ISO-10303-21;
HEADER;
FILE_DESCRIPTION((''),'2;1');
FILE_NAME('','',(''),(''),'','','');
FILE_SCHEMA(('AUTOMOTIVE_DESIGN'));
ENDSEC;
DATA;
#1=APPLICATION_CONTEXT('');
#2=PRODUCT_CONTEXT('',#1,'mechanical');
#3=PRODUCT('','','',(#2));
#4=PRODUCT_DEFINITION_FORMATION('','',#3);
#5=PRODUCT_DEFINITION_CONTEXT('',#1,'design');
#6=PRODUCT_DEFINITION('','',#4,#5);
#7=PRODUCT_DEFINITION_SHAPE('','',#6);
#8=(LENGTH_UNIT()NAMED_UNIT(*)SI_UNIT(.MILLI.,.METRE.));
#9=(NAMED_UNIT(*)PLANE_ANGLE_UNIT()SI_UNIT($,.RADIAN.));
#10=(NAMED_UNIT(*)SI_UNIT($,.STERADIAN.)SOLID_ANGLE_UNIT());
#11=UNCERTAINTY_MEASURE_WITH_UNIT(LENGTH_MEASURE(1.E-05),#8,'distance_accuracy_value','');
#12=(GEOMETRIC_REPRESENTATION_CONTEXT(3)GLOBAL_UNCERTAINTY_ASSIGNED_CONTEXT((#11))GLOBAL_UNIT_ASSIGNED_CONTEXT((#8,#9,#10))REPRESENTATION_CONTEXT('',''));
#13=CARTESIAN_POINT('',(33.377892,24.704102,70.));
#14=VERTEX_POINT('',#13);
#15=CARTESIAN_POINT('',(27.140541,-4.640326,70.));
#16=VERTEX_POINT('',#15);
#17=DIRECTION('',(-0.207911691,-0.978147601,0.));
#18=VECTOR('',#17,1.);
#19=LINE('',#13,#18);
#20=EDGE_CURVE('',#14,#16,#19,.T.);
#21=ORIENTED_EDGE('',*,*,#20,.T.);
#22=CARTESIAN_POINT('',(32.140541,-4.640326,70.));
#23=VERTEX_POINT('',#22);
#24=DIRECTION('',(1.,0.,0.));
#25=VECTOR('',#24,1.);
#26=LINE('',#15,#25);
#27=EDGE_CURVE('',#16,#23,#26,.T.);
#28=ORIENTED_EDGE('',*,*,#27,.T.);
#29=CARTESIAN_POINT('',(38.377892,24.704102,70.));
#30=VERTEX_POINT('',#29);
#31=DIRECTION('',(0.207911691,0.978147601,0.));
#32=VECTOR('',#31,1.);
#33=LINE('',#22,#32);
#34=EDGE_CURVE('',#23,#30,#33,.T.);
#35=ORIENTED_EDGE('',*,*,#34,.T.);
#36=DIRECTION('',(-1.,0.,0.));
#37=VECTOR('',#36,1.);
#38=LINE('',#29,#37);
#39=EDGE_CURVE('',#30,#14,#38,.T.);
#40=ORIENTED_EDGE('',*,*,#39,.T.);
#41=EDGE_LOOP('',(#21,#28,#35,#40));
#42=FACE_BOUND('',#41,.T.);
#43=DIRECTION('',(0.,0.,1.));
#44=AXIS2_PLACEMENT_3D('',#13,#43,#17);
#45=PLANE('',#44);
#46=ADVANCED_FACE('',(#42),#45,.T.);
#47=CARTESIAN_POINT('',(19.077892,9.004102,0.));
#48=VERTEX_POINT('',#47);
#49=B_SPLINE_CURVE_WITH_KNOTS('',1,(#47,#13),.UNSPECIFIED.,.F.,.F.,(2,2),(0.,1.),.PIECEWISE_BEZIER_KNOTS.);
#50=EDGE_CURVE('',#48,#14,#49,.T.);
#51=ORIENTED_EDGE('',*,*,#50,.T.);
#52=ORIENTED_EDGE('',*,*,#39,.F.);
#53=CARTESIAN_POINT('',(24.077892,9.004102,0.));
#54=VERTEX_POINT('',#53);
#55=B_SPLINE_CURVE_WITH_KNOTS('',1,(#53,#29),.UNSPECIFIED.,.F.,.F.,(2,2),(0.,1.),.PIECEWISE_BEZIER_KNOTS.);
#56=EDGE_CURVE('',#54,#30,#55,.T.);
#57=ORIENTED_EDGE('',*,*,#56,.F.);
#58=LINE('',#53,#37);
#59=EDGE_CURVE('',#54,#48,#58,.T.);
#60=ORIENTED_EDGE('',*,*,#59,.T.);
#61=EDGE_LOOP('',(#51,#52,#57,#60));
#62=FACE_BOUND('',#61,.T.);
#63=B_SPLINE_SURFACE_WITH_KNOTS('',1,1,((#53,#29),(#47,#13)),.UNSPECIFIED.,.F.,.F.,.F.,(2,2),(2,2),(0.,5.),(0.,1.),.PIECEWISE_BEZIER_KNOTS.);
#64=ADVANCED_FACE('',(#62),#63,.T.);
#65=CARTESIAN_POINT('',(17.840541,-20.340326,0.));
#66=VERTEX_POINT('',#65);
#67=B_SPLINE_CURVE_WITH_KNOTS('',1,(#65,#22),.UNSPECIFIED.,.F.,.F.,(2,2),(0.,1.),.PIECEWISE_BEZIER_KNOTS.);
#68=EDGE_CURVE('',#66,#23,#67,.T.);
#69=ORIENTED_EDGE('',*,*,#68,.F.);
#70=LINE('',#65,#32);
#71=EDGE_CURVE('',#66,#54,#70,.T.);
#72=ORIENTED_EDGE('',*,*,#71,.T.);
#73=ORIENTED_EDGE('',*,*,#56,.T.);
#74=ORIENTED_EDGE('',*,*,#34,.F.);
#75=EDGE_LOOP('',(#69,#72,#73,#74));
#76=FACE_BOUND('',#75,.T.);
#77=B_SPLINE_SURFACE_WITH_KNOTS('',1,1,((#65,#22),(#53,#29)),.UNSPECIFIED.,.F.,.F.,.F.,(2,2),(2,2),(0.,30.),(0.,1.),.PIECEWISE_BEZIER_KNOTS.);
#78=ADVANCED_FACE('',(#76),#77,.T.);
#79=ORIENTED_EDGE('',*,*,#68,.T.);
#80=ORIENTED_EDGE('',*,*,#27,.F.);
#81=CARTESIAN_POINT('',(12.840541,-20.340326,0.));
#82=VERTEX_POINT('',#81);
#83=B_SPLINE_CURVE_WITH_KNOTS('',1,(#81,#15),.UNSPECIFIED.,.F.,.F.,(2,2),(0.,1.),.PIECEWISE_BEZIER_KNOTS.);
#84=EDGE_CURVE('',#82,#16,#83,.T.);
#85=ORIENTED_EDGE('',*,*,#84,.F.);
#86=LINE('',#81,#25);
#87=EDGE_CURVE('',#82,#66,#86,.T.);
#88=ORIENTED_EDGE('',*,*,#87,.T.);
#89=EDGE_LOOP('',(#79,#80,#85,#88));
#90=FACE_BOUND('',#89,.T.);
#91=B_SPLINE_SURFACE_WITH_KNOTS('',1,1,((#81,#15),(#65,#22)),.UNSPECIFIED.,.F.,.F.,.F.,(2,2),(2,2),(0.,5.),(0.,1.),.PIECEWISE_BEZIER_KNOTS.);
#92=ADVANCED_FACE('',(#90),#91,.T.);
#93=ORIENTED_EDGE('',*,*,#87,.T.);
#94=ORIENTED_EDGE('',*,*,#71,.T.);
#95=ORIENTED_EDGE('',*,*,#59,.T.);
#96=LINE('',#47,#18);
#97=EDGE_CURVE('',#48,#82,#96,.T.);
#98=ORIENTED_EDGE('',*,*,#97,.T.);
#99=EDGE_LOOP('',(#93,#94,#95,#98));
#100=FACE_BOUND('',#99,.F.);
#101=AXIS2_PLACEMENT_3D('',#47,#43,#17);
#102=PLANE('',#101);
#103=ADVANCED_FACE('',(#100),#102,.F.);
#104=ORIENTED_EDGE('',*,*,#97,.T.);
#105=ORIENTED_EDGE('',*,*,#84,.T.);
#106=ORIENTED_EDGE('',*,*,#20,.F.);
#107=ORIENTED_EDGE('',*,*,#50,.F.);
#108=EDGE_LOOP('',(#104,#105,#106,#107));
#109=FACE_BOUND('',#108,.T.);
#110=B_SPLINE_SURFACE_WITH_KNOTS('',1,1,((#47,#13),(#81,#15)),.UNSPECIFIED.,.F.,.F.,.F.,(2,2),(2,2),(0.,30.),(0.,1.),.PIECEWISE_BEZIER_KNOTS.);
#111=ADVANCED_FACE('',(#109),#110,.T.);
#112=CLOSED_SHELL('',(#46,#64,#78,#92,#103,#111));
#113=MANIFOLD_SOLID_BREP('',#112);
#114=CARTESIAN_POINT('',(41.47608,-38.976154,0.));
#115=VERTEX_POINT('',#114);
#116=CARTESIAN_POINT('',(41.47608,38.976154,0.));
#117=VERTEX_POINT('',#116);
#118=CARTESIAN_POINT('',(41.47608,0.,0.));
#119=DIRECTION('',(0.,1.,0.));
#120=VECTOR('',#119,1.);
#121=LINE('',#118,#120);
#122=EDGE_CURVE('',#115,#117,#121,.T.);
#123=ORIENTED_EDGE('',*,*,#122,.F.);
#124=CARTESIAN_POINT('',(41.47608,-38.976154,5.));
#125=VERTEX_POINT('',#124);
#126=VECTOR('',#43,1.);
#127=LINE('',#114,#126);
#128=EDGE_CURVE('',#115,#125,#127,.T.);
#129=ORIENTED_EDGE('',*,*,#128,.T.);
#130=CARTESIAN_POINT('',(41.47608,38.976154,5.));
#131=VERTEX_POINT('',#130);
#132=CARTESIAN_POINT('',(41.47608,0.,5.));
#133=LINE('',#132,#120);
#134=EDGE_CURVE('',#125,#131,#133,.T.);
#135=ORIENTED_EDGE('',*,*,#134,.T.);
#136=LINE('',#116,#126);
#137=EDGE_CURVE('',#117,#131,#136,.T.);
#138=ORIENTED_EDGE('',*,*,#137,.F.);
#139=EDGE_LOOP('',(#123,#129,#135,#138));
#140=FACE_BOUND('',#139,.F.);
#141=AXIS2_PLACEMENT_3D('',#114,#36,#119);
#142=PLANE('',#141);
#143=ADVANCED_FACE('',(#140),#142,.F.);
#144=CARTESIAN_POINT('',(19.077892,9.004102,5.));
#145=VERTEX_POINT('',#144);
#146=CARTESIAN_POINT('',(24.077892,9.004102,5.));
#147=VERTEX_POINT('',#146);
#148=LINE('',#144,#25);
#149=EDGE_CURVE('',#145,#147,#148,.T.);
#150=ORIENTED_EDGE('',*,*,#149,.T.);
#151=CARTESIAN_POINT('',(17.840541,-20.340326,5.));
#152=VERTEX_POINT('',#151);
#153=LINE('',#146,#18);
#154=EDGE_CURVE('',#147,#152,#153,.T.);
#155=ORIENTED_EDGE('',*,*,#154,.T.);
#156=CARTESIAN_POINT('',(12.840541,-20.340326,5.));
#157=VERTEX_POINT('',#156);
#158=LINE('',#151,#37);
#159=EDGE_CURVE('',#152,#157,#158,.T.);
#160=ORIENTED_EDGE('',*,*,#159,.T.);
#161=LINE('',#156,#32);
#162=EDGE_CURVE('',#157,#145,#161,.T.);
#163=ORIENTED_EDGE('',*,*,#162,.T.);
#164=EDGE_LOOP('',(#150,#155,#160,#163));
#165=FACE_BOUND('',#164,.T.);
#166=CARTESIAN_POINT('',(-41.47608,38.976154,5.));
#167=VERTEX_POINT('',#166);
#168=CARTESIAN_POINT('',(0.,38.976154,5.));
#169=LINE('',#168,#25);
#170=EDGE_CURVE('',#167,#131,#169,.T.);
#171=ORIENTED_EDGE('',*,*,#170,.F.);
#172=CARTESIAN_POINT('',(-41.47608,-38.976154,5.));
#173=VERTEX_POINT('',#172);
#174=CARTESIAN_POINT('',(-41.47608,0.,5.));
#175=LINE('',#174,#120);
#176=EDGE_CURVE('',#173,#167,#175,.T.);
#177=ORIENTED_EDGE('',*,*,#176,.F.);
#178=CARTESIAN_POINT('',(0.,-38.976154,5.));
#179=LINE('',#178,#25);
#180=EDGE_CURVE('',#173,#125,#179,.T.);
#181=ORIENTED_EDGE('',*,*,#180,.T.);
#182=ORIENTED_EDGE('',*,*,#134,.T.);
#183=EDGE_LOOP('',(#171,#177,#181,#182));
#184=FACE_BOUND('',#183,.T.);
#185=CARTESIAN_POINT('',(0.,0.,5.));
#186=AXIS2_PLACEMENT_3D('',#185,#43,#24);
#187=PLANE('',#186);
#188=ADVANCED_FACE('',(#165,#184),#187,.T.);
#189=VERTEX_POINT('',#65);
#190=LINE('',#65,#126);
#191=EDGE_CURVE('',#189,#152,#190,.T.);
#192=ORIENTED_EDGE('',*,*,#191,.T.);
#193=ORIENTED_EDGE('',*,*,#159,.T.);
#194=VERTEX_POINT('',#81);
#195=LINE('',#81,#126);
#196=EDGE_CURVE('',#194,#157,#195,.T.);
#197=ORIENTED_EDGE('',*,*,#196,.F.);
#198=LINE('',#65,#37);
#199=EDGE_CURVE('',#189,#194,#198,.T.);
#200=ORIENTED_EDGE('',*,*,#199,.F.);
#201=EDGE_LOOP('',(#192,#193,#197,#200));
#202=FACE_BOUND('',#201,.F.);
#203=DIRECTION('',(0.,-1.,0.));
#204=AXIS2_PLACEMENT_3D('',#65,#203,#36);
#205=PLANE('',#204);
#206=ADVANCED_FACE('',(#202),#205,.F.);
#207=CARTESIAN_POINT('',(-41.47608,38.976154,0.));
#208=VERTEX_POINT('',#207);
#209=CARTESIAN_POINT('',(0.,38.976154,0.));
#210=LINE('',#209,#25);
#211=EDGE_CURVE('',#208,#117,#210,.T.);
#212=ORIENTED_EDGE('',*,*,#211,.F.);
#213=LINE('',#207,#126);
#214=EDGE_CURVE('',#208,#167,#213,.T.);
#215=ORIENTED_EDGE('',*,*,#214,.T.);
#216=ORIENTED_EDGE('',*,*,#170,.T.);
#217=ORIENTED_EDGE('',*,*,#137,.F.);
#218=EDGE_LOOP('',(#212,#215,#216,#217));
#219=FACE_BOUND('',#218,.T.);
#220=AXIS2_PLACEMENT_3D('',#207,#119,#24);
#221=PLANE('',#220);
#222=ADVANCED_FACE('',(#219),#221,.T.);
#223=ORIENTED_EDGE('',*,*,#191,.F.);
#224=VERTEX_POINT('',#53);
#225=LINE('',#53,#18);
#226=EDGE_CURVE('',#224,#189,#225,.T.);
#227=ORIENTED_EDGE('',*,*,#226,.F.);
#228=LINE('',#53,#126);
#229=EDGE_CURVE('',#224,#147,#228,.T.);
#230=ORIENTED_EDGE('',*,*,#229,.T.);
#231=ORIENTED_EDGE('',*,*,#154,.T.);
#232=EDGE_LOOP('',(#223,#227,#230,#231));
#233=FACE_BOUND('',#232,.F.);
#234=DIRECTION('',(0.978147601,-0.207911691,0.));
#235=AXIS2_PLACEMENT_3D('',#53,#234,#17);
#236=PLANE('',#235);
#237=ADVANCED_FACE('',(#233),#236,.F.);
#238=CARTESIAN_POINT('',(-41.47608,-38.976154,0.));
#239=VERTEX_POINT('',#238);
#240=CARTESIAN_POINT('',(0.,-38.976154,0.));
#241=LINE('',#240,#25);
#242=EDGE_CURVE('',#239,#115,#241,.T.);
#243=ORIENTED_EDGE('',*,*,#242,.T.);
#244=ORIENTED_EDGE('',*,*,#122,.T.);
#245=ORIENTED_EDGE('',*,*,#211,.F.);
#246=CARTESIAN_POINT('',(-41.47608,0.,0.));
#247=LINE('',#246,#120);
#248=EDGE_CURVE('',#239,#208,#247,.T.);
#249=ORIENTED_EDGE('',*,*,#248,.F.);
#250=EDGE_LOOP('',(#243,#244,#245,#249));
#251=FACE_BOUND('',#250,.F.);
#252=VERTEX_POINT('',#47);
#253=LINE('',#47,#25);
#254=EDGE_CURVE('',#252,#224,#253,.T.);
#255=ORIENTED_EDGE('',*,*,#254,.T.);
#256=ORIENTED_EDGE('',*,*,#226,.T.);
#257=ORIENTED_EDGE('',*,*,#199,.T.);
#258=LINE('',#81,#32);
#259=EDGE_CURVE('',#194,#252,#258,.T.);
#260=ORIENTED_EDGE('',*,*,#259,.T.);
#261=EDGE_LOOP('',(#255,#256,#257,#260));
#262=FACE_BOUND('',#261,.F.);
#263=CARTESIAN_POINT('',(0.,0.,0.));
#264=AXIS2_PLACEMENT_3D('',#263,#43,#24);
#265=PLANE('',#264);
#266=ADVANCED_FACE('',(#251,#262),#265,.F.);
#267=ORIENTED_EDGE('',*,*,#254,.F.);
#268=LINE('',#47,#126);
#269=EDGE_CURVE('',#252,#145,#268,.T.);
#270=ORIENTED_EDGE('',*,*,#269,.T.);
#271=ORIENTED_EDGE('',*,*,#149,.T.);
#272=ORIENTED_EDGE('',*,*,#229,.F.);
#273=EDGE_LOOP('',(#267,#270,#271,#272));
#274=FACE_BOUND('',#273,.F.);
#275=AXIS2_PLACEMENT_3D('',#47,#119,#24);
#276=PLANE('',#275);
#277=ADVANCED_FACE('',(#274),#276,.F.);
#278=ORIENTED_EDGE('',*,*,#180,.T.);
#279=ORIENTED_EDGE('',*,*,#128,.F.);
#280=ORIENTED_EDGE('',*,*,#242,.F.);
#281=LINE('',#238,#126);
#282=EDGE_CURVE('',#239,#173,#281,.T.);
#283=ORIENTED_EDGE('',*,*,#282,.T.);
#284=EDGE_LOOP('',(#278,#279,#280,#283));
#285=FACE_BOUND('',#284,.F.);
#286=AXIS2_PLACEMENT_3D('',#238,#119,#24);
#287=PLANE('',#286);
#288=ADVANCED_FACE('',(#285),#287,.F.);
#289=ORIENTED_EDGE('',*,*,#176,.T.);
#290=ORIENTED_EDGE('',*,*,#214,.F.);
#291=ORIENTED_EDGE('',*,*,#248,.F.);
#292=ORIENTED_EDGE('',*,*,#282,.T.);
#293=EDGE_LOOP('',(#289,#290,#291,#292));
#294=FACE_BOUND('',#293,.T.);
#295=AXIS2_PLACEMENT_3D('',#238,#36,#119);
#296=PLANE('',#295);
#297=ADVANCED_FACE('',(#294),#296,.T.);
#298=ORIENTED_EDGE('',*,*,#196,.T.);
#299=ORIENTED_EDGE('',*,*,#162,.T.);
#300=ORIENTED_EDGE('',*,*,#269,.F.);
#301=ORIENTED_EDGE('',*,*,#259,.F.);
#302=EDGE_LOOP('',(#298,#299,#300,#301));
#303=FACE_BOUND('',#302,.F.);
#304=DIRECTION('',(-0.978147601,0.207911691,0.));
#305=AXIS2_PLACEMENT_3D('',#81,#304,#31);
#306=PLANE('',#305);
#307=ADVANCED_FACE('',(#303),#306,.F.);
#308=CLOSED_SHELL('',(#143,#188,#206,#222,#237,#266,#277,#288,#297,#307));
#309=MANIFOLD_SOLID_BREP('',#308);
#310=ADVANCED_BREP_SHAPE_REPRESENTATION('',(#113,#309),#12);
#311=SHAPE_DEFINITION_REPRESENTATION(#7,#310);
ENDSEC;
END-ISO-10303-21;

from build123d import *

# Parameters (mm, degrees)
F0_W     = 82.9521608768
F0_H     = 77.9523070946
F4_DEPTH = 5


with BuildPart() as f3:
    # F0 (on Top) → F3 section 0
    with BuildSketch(Plane.XY):
        Polygon((19.0778917798, 9.0041023762), (12.8405410553, -20.3403256458), (17.8405410553, -20.3403256458), (24.0778917798, 9.0041023762), align=None)
    # F2 (on offset) → F3 section 1
    with BuildSketch(Plane.XY.offset(70)):
        Polygon((38.3778917798, 24.7041023762), (33.3778917798, 24.7041023762), (27.1405410553, -4.6403256458), (32.1405410553, -4.6403256458), align=None)
    loft()


with BuildPart() as f4:
    # F0 (on Top) → F4 (new body)
    with BuildSketch(Plane.XY):
        Rectangle(F0_W, F0_H)
        Polygon((17.8405410553, -20.3403256458), (12.8405410553, -20.3403256458), (19.0778917798, 9.0041023762), (24.0778917798, 9.0041023762), align=None, mode=Mode.SUBTRACT)
    extrude(amount=F4_DEPTH)


solid = Compound([f3.part, f4.part])
